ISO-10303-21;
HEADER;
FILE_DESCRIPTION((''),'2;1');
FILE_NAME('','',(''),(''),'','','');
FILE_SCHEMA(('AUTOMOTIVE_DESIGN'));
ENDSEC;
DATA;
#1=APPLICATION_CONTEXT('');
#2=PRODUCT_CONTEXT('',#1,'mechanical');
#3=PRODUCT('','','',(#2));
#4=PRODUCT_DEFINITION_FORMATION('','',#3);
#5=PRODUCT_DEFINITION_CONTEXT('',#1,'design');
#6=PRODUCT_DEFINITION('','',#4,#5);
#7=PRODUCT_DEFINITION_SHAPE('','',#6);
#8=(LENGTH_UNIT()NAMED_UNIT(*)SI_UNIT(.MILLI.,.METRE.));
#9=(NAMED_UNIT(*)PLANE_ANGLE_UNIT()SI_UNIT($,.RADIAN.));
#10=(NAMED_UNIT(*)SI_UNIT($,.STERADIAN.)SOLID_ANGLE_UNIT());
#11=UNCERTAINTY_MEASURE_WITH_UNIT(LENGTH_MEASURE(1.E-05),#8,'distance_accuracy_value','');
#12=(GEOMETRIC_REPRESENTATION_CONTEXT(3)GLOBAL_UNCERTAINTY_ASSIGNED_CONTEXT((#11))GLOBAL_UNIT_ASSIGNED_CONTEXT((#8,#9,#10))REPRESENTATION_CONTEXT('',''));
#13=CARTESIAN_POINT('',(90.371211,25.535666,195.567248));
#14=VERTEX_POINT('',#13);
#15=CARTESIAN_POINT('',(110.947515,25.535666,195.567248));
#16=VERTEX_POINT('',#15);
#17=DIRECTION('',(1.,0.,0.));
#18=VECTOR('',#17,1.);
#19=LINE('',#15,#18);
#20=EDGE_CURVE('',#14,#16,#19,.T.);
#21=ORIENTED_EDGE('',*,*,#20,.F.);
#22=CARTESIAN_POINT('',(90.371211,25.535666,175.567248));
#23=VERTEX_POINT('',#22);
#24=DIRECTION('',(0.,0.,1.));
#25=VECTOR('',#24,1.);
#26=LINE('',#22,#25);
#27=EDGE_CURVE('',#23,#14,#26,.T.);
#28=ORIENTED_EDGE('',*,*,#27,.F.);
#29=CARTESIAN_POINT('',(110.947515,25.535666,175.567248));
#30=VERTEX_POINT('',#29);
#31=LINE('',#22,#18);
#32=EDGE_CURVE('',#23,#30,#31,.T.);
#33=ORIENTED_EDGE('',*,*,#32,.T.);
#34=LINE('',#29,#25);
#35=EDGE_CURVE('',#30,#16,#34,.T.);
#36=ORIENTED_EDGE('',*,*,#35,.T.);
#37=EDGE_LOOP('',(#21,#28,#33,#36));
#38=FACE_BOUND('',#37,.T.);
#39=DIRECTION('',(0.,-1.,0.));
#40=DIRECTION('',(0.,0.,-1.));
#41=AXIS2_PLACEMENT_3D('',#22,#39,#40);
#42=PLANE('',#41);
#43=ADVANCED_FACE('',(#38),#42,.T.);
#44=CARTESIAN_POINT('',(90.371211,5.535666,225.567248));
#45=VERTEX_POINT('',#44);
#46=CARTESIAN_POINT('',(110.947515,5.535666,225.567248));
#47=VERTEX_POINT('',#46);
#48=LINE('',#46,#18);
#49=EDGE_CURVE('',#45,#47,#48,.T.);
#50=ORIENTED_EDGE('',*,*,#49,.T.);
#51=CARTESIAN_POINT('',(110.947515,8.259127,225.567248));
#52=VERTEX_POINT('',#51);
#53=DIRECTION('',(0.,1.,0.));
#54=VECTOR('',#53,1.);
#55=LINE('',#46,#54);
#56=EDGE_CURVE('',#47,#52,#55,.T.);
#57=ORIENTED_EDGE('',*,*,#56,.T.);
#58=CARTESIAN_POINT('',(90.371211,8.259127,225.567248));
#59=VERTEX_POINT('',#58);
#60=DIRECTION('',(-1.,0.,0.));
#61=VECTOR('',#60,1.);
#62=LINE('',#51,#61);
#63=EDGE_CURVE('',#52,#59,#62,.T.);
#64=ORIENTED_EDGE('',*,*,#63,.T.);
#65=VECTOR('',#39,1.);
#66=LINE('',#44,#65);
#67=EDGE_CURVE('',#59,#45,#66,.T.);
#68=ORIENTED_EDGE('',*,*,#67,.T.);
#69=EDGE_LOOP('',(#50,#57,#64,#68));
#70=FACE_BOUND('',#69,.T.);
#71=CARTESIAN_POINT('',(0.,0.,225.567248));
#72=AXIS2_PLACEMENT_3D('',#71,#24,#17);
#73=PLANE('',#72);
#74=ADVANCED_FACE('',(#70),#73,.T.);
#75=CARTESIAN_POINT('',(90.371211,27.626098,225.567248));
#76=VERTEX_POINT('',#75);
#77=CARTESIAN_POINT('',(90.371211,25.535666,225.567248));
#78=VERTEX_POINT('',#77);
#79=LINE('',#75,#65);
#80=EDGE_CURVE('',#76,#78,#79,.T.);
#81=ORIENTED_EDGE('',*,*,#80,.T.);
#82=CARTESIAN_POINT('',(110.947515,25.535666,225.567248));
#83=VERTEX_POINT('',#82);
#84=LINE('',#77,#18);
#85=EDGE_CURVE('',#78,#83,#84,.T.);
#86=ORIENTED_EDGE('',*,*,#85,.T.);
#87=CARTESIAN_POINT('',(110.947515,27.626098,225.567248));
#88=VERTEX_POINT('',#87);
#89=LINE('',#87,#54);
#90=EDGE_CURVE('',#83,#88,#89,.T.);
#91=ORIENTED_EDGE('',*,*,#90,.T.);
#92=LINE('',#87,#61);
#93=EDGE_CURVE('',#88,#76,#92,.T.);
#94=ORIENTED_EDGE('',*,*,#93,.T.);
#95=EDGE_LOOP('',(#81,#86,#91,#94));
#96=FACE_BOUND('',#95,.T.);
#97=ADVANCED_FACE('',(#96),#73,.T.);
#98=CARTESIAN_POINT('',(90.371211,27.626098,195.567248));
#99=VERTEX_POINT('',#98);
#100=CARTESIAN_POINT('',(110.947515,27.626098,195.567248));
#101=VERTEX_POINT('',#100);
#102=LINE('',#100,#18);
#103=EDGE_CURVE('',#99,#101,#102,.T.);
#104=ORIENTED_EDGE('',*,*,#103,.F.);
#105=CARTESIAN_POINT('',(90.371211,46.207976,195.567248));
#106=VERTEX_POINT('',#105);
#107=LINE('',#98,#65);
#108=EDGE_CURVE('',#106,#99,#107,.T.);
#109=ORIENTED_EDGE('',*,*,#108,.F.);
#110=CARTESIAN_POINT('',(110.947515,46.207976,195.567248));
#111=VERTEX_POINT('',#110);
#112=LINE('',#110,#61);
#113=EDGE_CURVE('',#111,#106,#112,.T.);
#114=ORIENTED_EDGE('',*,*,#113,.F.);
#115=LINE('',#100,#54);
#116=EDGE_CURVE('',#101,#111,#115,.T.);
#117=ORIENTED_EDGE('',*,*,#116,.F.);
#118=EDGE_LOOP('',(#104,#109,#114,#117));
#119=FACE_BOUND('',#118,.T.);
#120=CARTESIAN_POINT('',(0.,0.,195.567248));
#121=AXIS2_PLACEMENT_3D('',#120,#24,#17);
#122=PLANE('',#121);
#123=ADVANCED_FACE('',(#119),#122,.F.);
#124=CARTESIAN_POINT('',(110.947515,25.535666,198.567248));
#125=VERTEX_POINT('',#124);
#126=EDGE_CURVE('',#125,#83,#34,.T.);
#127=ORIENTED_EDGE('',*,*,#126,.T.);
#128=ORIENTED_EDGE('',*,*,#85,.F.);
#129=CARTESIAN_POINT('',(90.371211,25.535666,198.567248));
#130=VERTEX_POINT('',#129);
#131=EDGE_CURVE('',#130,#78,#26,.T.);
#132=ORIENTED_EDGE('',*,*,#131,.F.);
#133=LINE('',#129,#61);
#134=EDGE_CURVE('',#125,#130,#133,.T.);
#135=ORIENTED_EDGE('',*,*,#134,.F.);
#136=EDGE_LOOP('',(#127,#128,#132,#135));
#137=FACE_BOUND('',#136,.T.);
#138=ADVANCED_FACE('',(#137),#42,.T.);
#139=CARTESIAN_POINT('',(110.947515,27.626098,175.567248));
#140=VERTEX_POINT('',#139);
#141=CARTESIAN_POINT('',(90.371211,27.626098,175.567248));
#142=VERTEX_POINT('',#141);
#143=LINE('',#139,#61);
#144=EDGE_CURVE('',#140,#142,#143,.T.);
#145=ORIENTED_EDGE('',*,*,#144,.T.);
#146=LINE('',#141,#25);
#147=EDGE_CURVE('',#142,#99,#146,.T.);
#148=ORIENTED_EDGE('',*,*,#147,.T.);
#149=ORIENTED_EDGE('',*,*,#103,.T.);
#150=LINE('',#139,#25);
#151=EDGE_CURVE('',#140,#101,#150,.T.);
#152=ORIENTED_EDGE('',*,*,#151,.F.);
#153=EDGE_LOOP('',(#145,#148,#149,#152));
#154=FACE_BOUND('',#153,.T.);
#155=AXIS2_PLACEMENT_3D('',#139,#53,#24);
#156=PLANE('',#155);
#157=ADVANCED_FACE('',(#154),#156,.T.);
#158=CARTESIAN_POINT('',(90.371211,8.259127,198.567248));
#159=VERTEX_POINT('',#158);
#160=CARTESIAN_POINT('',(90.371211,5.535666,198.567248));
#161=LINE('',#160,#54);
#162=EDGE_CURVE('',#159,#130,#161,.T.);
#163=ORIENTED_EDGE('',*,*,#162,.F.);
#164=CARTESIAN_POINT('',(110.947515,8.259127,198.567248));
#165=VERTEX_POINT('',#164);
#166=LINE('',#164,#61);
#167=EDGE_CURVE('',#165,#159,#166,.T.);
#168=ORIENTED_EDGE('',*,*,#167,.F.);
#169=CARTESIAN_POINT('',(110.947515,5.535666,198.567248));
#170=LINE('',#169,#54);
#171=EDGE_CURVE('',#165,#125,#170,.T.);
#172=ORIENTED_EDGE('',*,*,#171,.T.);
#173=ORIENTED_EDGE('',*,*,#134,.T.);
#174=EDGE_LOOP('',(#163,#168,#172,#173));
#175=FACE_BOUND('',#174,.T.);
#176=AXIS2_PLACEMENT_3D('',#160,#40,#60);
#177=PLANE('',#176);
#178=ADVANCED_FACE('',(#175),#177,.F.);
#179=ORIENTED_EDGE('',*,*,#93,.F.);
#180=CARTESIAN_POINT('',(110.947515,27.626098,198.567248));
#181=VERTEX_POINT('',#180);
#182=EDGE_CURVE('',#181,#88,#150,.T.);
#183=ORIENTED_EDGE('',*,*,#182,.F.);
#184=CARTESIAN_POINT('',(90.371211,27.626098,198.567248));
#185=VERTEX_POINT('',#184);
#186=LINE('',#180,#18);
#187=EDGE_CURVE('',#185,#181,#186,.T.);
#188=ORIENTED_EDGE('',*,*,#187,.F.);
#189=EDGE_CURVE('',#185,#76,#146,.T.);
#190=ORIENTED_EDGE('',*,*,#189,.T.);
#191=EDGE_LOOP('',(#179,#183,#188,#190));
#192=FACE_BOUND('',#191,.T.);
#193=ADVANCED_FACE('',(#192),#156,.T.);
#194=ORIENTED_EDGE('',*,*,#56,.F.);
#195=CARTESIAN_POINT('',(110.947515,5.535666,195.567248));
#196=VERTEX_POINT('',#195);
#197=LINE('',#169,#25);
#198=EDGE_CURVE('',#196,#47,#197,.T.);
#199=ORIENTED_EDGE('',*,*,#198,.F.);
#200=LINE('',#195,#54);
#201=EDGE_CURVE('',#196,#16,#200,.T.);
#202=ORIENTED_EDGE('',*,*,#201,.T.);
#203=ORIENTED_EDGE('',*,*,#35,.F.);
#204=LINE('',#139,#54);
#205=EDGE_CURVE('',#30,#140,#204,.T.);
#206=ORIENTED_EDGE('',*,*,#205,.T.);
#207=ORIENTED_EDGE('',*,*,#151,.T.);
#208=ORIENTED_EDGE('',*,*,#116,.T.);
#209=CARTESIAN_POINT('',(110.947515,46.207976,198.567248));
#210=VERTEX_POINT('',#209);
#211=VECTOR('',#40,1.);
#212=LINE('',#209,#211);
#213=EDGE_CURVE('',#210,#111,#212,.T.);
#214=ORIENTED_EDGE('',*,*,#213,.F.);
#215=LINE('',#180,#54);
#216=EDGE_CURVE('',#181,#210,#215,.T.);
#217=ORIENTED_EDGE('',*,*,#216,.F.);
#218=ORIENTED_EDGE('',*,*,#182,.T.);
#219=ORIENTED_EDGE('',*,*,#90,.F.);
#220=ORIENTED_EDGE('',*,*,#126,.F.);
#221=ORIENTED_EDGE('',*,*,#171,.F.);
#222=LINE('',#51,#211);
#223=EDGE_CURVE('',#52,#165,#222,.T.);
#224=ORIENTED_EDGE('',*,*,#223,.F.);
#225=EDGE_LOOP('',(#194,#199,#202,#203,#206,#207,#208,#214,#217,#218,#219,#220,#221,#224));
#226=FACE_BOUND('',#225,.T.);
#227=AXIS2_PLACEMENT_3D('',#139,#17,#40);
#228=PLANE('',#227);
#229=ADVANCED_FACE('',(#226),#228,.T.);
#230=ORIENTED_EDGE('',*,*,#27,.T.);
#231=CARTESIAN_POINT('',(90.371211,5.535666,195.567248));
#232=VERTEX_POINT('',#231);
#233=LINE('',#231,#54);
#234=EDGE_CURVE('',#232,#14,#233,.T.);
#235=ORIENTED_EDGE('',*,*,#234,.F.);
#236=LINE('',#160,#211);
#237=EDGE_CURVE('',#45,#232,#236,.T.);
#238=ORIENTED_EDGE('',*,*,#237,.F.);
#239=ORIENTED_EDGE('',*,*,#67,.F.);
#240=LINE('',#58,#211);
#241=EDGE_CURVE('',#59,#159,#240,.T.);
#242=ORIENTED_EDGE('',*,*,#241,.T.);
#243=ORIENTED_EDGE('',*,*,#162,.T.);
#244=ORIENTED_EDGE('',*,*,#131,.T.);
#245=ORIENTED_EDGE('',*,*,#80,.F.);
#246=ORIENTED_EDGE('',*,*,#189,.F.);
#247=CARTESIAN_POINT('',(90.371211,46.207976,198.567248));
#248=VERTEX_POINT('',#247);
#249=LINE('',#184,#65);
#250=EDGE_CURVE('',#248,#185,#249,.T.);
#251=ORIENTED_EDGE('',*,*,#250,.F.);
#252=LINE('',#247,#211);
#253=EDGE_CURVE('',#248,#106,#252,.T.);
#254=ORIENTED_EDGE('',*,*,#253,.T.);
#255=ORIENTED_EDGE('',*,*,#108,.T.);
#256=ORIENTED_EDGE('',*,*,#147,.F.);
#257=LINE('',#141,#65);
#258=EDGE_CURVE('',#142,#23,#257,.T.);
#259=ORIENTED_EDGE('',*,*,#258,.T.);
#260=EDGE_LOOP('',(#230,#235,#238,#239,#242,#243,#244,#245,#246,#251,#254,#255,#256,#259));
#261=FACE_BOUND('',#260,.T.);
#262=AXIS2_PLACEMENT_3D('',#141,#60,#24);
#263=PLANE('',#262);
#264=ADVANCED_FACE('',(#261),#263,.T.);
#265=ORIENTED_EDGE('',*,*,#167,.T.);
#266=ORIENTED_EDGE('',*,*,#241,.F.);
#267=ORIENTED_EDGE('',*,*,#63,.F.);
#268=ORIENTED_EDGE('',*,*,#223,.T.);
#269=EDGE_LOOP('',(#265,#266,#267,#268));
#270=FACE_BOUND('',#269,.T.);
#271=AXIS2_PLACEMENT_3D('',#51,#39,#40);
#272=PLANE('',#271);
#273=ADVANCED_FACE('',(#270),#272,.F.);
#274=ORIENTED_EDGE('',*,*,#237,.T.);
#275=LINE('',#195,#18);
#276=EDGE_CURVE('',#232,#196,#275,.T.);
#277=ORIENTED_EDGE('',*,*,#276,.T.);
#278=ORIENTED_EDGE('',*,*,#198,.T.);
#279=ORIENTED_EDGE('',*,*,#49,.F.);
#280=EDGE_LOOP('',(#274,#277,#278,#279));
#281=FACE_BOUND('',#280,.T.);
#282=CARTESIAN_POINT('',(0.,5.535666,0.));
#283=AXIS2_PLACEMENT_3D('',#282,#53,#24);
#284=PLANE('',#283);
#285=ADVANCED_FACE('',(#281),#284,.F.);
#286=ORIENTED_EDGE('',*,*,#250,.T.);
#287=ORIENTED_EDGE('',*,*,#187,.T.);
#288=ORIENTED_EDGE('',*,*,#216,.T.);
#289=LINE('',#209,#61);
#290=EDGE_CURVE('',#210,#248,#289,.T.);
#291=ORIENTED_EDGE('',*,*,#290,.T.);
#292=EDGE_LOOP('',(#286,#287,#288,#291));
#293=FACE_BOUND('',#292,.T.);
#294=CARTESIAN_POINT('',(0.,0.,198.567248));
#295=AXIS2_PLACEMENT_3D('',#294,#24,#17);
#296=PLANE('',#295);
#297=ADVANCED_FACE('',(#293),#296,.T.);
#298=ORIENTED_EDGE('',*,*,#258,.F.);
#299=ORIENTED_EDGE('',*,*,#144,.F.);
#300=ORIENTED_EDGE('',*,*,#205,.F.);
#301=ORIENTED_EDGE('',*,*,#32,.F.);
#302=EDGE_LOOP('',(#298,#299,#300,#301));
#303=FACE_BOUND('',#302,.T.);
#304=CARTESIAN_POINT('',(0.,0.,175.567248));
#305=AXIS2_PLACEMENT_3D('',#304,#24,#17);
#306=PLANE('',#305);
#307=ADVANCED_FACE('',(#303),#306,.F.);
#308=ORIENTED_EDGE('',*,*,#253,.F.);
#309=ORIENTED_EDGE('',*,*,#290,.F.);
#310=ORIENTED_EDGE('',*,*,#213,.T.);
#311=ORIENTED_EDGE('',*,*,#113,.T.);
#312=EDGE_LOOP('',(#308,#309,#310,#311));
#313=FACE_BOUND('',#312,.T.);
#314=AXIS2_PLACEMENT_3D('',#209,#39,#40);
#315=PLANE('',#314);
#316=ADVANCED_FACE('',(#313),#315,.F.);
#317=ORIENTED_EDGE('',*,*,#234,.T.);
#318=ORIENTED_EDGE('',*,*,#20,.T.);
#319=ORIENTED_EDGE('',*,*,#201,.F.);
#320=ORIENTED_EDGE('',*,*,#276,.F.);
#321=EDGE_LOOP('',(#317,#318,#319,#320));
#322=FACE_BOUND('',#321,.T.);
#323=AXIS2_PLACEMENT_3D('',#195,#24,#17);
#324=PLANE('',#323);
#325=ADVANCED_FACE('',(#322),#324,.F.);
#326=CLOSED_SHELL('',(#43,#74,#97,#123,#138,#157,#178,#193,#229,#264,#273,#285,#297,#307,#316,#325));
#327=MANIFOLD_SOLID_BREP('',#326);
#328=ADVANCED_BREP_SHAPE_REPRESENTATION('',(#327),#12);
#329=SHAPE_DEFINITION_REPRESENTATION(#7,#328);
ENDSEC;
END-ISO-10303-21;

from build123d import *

# Parameters (mm, degrees)
SKETCH1_W                = 20.576303651
SKETCH1_H                = 2.09043177
BOSS_EXTRUDE1_DEPTH      = 30
BOSS_EXTRUDE1_DEPTH_BACK = 20
SKETCH2_W                = 20.576303651
SKETCH2_H                = 18.581877963
BOSS_EXTRUDE2_DEPTH      = 3
SKETCH3_W                = 20.576303651
SKETCH3_H                = 3
BOSS_EXTRUDE3_DEPTH      = 20
SKETCH4_W                = 20.576303651
SKETCH4_H                = 2.723460459
BOSS_EXTRUDE4_DEPTH      = 27


with BuildPart() as part:
    # Sketch1 → Boss-Extrude1 (new body, two sides)
    with BuildSketch(Plane.XY.offset(195.567247699)) as boss_extrude1_sk:
        with Locations((100.659362947, 26.580882383)):
            Rectangle(SKETCH1_W, SKETCH1_H)
    extrude(amount=BOSS_EXTRUDE1_DEPTH)
    extrude(boss_extrude1_sk.sketch, amount=-BOSS_EXTRUDE1_DEPTH_BACK)

    # Sketch2 → Boss-Extrude2 (add)
    with BuildSketch(Plane.XY.offset(195.567247699)):
        with Locations((100.659362947, 36.91703725)):
            Rectangle(SKETCH2_W, SKETCH2_H)
    extrude(amount=BOSS_EXTRUDE2_DEPTH)

    # Sketch3 → Boss-Extrude3 (add)
    with BuildSketch(Plane.XZ.offset(-25.535666498)):
        with Locations((100.659362947, 197.067247699)):
            Rectangle(SKETCH3_W, SKETCH3_H)
    extrude(amount=BOSS_EXTRUDE3_DEPTH)

    # Sketch4 → Boss-Extrude4 (add)
    with BuildSketch(Plane.XY.offset(198.567247699)):
        with Locations((100.659362947, 6.897396728)):
            Rectangle(SKETCH4_W, SKETCH4_H)
    extrude(amount=BOSS_EXTRUDE4_DEPTH)


solid = part.part
